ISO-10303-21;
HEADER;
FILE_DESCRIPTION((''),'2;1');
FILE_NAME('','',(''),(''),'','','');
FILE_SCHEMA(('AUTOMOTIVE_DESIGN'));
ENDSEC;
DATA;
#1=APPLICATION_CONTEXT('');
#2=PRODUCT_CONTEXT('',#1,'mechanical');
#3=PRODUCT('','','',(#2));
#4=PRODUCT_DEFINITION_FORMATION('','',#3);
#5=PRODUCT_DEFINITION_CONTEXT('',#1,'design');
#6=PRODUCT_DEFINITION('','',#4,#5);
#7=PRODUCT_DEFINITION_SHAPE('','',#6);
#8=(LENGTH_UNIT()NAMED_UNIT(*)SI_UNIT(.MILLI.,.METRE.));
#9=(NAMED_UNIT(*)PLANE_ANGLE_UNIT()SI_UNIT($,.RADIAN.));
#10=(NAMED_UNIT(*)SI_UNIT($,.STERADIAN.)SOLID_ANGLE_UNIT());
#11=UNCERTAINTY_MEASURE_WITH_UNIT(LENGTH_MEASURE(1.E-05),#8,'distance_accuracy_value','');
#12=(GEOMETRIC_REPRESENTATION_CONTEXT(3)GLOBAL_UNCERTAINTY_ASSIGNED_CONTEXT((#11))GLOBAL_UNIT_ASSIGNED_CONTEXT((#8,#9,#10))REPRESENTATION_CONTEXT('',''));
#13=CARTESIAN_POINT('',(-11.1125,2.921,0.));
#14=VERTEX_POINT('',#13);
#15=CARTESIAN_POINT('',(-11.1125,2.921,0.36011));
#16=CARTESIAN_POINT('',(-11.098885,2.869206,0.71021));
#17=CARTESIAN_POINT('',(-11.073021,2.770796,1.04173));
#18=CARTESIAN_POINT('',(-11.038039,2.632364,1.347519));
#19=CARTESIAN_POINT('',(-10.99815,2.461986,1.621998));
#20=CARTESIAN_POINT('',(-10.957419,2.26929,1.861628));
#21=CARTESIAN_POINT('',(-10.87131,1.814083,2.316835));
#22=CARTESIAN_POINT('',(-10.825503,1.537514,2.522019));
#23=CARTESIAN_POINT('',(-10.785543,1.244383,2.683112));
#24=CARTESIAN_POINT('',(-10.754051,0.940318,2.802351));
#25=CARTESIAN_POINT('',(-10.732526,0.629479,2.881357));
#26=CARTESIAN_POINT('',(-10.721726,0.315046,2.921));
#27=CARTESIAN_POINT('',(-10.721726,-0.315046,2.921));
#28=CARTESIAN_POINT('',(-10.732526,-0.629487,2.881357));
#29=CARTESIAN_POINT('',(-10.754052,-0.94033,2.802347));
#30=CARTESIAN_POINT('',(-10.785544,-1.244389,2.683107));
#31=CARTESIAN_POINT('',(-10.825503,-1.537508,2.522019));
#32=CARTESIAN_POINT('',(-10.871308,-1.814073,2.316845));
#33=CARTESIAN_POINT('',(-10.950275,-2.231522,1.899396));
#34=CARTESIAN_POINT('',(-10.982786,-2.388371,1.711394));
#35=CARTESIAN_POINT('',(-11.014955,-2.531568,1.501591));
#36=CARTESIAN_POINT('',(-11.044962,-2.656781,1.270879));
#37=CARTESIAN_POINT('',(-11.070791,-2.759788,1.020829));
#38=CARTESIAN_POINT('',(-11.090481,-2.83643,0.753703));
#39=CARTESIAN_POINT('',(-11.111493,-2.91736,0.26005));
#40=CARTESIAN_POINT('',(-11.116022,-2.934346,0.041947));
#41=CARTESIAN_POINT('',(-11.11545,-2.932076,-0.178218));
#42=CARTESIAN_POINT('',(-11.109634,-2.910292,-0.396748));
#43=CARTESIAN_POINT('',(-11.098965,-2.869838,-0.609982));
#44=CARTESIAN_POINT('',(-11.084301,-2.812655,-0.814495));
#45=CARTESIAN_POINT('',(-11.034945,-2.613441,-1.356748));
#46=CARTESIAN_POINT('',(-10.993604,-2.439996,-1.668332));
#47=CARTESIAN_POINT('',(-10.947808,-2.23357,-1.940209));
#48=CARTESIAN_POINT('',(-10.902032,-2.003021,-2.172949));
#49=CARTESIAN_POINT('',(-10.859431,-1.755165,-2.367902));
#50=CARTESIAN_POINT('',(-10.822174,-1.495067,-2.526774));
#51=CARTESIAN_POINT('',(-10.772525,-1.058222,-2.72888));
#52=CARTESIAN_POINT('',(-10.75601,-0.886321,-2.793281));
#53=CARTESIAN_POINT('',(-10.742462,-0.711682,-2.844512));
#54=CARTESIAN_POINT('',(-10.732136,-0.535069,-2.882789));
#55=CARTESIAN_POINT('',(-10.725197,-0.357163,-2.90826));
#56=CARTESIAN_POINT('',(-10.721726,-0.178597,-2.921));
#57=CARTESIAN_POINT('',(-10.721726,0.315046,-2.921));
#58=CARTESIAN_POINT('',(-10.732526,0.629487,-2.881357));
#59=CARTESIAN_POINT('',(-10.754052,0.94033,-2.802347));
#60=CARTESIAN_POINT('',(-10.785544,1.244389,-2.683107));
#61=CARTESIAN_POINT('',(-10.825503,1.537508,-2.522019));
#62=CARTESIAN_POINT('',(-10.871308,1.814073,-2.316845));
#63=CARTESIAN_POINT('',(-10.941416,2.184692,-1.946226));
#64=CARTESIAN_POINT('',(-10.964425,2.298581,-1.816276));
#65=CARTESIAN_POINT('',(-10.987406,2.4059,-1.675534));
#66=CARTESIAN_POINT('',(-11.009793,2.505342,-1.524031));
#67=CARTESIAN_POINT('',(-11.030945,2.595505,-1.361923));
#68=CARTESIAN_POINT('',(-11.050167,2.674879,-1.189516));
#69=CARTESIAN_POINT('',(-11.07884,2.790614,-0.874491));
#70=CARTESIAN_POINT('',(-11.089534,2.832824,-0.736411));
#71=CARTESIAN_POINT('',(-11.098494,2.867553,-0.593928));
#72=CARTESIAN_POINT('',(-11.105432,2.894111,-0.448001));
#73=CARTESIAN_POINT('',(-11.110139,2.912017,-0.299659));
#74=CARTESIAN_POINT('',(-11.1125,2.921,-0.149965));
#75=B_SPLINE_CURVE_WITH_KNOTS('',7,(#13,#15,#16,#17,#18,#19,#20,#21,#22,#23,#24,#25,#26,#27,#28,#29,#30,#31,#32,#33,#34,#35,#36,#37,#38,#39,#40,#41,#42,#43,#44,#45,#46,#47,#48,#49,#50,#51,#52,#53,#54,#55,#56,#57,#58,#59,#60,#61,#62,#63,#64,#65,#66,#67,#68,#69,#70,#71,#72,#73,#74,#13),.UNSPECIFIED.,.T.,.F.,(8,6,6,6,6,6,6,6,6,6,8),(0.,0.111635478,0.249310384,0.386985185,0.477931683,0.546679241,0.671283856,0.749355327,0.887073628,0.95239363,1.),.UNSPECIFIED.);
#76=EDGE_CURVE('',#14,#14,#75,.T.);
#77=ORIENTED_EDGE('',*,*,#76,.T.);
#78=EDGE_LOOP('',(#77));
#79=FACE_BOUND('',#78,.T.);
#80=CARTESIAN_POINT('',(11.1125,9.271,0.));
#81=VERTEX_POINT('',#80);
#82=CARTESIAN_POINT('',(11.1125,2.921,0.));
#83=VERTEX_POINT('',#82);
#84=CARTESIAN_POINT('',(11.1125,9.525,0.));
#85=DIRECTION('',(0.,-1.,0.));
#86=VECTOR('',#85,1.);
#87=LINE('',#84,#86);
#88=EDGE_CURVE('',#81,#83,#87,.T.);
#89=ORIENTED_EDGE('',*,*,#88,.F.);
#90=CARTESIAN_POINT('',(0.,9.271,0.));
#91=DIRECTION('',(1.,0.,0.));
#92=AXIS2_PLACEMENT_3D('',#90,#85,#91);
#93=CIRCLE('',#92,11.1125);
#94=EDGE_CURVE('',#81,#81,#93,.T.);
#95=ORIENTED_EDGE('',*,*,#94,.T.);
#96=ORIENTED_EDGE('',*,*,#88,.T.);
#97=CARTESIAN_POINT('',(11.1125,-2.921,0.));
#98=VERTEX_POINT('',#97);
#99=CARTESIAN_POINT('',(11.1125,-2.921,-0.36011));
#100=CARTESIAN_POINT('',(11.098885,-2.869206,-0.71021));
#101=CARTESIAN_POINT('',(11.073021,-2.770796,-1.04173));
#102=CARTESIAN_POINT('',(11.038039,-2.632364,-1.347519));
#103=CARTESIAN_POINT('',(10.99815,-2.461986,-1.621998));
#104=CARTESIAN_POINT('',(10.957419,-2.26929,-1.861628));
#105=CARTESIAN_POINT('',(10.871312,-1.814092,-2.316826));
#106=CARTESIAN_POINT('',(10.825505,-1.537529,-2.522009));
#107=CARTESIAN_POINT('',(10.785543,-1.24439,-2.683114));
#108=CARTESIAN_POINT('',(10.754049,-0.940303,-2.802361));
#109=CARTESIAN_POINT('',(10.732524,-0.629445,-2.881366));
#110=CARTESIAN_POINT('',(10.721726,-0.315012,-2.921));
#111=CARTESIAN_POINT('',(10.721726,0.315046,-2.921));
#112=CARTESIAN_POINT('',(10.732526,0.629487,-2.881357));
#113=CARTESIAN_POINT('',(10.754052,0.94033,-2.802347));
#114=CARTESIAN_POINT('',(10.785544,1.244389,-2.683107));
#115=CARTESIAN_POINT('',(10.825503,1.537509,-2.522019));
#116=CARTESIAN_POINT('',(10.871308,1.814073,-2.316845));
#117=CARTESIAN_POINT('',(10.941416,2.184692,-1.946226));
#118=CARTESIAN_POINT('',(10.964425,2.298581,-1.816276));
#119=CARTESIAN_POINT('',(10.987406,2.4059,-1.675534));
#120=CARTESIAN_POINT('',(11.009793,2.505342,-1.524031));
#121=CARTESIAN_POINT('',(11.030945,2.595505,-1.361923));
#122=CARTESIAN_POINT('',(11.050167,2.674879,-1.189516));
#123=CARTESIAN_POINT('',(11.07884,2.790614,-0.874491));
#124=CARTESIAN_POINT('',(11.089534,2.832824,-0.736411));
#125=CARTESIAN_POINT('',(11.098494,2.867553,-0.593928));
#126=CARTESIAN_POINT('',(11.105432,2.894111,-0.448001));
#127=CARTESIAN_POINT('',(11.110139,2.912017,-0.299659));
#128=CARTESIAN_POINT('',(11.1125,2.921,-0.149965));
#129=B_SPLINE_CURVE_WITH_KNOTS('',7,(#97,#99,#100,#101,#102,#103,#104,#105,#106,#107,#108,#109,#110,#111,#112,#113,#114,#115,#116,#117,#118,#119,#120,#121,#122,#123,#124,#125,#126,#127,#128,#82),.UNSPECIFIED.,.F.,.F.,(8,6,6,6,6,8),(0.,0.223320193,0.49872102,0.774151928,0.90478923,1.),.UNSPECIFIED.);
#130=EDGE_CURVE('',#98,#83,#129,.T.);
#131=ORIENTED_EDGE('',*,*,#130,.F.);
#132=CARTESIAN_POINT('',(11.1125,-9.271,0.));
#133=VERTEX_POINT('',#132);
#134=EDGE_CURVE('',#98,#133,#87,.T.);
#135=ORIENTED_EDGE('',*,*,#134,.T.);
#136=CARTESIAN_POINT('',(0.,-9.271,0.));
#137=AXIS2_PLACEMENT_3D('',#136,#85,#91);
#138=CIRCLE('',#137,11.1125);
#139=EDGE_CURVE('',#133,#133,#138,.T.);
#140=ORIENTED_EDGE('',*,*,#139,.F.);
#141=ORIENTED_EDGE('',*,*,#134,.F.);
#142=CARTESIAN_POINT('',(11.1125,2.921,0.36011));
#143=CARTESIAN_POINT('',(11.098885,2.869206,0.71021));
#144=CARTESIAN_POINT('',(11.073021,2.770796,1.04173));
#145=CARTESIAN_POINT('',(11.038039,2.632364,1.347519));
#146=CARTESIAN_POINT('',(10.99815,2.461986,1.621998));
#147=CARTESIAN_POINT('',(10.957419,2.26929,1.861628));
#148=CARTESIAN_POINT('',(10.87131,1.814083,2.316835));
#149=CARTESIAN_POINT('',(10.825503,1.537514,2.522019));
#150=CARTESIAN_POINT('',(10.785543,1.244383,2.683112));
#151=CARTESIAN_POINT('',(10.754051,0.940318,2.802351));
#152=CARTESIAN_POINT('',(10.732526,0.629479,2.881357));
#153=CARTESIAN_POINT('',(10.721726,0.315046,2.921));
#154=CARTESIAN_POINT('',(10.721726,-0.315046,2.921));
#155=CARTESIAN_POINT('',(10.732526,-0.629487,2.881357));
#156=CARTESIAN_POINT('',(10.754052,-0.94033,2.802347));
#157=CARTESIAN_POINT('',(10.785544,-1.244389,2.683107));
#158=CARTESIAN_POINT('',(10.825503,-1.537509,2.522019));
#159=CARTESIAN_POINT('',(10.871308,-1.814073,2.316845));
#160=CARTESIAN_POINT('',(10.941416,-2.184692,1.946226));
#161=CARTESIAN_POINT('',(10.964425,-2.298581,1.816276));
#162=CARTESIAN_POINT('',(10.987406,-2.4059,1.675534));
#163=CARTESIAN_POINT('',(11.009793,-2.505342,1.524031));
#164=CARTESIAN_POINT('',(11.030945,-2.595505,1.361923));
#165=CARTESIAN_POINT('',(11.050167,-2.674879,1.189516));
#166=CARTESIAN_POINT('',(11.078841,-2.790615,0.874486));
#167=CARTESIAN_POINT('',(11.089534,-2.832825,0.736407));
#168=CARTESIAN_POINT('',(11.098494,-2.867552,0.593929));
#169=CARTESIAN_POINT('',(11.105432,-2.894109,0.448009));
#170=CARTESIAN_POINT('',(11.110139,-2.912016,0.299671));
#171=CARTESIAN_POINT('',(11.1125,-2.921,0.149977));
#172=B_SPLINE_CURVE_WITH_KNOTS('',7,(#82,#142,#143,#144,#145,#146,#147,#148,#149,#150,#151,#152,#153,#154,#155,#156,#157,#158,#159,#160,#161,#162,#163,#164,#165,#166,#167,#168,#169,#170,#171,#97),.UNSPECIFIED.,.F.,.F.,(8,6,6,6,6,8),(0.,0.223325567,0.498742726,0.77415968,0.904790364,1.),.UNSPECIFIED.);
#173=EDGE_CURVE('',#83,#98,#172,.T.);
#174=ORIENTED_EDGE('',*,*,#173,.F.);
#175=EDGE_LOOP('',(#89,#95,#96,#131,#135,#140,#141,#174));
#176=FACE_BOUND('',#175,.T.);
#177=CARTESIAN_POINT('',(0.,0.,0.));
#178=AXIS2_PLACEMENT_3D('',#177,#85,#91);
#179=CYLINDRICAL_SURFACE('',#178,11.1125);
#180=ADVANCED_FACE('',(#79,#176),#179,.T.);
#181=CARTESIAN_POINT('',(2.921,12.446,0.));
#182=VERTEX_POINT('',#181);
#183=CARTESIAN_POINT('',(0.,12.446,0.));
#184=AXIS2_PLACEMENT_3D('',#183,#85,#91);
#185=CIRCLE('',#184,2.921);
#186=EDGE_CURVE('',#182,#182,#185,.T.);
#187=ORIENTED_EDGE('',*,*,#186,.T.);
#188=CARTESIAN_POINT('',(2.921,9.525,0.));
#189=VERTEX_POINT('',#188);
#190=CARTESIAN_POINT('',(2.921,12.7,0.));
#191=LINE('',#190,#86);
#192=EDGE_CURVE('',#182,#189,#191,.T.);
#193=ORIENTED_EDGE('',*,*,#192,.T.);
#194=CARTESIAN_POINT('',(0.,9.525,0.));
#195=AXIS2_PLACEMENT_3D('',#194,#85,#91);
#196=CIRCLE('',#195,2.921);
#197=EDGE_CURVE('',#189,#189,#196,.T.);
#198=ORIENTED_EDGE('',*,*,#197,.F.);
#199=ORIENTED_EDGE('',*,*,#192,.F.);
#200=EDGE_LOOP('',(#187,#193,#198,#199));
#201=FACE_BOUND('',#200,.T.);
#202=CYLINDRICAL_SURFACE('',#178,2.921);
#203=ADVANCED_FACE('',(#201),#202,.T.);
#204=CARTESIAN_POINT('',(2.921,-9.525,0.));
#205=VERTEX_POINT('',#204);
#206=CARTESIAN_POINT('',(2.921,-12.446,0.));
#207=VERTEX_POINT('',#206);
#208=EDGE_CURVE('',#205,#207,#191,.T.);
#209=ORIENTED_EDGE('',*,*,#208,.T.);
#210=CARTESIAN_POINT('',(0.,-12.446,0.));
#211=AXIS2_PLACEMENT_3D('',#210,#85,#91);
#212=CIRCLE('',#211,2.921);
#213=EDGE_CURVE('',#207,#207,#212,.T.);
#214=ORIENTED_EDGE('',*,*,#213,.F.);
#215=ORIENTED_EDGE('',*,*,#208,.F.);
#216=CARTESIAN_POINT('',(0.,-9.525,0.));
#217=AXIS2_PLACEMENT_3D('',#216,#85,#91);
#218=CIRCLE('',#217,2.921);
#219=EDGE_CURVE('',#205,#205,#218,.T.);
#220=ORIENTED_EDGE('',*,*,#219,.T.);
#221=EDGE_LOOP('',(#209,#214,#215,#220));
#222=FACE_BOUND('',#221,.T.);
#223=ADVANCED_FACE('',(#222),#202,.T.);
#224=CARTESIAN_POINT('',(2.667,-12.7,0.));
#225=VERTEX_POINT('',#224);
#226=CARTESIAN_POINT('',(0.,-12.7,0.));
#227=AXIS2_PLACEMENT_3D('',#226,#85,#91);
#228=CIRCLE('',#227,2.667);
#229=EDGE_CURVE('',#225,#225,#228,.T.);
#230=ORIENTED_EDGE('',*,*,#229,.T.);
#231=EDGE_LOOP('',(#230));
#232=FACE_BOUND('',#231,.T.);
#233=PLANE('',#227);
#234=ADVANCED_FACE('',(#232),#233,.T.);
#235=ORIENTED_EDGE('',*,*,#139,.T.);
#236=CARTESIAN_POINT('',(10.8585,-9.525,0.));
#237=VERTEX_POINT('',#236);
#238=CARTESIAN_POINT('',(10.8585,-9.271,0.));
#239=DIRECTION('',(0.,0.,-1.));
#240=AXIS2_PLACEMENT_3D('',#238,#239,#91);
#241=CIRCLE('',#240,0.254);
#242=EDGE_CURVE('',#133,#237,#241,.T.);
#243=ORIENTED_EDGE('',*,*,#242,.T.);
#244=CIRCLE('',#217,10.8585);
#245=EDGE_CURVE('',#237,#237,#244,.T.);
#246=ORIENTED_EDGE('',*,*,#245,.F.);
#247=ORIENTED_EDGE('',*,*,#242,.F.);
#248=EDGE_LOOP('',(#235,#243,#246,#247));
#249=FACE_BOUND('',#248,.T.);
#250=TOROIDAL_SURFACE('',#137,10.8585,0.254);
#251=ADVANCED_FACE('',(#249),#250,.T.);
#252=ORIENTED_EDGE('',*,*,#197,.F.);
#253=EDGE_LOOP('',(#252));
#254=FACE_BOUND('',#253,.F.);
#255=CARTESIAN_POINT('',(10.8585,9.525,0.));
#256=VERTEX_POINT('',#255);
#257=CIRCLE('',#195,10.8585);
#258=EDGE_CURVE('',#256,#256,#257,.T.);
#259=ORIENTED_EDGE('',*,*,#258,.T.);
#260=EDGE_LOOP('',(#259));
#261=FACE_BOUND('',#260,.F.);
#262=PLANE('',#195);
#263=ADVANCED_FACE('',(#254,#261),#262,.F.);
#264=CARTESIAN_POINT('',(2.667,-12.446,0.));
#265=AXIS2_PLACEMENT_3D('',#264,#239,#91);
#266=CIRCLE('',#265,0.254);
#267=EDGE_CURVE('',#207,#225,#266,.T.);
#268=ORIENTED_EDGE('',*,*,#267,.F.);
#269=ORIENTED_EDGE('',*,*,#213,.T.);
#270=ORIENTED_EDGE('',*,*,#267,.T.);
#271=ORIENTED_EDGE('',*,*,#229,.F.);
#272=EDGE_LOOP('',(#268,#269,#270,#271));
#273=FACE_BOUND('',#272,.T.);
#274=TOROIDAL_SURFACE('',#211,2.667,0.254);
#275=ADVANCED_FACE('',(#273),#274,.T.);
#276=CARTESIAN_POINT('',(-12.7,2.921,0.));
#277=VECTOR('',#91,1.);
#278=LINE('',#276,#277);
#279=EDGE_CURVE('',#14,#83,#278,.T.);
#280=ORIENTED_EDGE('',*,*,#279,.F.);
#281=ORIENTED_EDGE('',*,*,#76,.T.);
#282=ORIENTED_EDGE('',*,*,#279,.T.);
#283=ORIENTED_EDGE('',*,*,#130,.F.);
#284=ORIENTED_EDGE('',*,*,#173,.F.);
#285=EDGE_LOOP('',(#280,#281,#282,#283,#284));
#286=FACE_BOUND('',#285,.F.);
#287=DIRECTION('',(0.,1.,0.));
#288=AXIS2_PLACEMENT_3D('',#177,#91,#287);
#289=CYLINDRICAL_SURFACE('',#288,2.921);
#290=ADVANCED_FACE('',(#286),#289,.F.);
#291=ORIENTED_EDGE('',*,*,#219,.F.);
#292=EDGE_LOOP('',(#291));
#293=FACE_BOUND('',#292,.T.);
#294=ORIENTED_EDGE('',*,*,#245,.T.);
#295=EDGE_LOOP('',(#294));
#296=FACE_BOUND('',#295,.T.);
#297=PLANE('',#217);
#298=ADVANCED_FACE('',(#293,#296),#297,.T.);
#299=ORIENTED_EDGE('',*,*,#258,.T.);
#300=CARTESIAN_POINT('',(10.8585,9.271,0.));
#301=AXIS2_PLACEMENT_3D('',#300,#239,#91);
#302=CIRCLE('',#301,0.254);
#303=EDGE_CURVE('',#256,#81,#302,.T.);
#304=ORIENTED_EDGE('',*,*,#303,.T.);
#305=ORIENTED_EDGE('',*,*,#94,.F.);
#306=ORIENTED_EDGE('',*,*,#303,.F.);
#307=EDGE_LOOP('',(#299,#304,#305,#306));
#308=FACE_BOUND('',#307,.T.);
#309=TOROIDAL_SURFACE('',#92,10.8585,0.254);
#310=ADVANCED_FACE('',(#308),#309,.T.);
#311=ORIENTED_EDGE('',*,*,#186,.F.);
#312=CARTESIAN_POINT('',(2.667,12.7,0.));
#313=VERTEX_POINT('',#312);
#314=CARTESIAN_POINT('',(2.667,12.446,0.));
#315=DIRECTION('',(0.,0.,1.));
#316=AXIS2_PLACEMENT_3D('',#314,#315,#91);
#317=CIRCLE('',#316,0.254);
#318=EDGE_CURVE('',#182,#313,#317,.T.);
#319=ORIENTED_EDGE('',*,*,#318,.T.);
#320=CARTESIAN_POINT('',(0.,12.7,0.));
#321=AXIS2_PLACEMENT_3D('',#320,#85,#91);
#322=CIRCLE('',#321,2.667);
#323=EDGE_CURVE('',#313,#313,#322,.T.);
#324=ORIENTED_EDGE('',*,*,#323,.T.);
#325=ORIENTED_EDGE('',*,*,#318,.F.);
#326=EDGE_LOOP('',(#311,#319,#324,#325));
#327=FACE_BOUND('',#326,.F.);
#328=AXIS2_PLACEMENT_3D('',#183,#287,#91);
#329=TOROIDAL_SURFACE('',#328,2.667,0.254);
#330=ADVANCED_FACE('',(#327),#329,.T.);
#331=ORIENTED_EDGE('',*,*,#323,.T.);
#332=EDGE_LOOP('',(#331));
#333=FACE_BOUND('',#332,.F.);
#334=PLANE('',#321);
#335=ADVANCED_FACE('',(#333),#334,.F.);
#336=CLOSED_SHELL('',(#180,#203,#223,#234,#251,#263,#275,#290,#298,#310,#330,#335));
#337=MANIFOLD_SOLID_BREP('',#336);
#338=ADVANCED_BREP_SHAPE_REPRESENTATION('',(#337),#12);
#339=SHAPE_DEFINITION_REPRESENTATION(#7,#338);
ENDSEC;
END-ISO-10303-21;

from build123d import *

# Parameters (mm, degrees)
F0_R     = 11.1125
F3_DEPTH = 9.525
F1_R     = 2.921
F4_DEPTH = 12.7
F2_R     = 2.921
F5_DEPTH = 12.7
F6_R     = 0.254


with BuildPart() as f3:
    # F0 (on Front) → F3 (new body, symmetric)
    with BuildSketch(Plane.XZ):
        Circle(F0_R)
    extrude(amount=F3_DEPTH, both=True)

    # F1 (on Front) → F4 (join, symmetric)
    with BuildSketch(Plane.XZ):
        Circle(F1_R)
    extrude(amount=F4_DEPTH, both=True)

    # F2 (on Right) → F5 (cut, symmetric)
    with BuildSketch(Plane.YZ):
        Circle(F2_R)
    extrude(amount=F5_DEPTH, both=True, mode=Mode.SUBTRACT)

    # F6
    f6_edges = [f3.edges().sort_by_distance(p)[0] for p in [
        (-2.921, -12.7, 0),
        (-11.1125, -9.525, 0),
        (-11.1125, 9.525, 0),
        (-2.921, 12.7, 0),
    ]]
    fillet(f6_edges, radius=F6_R)


solid = f3.part
